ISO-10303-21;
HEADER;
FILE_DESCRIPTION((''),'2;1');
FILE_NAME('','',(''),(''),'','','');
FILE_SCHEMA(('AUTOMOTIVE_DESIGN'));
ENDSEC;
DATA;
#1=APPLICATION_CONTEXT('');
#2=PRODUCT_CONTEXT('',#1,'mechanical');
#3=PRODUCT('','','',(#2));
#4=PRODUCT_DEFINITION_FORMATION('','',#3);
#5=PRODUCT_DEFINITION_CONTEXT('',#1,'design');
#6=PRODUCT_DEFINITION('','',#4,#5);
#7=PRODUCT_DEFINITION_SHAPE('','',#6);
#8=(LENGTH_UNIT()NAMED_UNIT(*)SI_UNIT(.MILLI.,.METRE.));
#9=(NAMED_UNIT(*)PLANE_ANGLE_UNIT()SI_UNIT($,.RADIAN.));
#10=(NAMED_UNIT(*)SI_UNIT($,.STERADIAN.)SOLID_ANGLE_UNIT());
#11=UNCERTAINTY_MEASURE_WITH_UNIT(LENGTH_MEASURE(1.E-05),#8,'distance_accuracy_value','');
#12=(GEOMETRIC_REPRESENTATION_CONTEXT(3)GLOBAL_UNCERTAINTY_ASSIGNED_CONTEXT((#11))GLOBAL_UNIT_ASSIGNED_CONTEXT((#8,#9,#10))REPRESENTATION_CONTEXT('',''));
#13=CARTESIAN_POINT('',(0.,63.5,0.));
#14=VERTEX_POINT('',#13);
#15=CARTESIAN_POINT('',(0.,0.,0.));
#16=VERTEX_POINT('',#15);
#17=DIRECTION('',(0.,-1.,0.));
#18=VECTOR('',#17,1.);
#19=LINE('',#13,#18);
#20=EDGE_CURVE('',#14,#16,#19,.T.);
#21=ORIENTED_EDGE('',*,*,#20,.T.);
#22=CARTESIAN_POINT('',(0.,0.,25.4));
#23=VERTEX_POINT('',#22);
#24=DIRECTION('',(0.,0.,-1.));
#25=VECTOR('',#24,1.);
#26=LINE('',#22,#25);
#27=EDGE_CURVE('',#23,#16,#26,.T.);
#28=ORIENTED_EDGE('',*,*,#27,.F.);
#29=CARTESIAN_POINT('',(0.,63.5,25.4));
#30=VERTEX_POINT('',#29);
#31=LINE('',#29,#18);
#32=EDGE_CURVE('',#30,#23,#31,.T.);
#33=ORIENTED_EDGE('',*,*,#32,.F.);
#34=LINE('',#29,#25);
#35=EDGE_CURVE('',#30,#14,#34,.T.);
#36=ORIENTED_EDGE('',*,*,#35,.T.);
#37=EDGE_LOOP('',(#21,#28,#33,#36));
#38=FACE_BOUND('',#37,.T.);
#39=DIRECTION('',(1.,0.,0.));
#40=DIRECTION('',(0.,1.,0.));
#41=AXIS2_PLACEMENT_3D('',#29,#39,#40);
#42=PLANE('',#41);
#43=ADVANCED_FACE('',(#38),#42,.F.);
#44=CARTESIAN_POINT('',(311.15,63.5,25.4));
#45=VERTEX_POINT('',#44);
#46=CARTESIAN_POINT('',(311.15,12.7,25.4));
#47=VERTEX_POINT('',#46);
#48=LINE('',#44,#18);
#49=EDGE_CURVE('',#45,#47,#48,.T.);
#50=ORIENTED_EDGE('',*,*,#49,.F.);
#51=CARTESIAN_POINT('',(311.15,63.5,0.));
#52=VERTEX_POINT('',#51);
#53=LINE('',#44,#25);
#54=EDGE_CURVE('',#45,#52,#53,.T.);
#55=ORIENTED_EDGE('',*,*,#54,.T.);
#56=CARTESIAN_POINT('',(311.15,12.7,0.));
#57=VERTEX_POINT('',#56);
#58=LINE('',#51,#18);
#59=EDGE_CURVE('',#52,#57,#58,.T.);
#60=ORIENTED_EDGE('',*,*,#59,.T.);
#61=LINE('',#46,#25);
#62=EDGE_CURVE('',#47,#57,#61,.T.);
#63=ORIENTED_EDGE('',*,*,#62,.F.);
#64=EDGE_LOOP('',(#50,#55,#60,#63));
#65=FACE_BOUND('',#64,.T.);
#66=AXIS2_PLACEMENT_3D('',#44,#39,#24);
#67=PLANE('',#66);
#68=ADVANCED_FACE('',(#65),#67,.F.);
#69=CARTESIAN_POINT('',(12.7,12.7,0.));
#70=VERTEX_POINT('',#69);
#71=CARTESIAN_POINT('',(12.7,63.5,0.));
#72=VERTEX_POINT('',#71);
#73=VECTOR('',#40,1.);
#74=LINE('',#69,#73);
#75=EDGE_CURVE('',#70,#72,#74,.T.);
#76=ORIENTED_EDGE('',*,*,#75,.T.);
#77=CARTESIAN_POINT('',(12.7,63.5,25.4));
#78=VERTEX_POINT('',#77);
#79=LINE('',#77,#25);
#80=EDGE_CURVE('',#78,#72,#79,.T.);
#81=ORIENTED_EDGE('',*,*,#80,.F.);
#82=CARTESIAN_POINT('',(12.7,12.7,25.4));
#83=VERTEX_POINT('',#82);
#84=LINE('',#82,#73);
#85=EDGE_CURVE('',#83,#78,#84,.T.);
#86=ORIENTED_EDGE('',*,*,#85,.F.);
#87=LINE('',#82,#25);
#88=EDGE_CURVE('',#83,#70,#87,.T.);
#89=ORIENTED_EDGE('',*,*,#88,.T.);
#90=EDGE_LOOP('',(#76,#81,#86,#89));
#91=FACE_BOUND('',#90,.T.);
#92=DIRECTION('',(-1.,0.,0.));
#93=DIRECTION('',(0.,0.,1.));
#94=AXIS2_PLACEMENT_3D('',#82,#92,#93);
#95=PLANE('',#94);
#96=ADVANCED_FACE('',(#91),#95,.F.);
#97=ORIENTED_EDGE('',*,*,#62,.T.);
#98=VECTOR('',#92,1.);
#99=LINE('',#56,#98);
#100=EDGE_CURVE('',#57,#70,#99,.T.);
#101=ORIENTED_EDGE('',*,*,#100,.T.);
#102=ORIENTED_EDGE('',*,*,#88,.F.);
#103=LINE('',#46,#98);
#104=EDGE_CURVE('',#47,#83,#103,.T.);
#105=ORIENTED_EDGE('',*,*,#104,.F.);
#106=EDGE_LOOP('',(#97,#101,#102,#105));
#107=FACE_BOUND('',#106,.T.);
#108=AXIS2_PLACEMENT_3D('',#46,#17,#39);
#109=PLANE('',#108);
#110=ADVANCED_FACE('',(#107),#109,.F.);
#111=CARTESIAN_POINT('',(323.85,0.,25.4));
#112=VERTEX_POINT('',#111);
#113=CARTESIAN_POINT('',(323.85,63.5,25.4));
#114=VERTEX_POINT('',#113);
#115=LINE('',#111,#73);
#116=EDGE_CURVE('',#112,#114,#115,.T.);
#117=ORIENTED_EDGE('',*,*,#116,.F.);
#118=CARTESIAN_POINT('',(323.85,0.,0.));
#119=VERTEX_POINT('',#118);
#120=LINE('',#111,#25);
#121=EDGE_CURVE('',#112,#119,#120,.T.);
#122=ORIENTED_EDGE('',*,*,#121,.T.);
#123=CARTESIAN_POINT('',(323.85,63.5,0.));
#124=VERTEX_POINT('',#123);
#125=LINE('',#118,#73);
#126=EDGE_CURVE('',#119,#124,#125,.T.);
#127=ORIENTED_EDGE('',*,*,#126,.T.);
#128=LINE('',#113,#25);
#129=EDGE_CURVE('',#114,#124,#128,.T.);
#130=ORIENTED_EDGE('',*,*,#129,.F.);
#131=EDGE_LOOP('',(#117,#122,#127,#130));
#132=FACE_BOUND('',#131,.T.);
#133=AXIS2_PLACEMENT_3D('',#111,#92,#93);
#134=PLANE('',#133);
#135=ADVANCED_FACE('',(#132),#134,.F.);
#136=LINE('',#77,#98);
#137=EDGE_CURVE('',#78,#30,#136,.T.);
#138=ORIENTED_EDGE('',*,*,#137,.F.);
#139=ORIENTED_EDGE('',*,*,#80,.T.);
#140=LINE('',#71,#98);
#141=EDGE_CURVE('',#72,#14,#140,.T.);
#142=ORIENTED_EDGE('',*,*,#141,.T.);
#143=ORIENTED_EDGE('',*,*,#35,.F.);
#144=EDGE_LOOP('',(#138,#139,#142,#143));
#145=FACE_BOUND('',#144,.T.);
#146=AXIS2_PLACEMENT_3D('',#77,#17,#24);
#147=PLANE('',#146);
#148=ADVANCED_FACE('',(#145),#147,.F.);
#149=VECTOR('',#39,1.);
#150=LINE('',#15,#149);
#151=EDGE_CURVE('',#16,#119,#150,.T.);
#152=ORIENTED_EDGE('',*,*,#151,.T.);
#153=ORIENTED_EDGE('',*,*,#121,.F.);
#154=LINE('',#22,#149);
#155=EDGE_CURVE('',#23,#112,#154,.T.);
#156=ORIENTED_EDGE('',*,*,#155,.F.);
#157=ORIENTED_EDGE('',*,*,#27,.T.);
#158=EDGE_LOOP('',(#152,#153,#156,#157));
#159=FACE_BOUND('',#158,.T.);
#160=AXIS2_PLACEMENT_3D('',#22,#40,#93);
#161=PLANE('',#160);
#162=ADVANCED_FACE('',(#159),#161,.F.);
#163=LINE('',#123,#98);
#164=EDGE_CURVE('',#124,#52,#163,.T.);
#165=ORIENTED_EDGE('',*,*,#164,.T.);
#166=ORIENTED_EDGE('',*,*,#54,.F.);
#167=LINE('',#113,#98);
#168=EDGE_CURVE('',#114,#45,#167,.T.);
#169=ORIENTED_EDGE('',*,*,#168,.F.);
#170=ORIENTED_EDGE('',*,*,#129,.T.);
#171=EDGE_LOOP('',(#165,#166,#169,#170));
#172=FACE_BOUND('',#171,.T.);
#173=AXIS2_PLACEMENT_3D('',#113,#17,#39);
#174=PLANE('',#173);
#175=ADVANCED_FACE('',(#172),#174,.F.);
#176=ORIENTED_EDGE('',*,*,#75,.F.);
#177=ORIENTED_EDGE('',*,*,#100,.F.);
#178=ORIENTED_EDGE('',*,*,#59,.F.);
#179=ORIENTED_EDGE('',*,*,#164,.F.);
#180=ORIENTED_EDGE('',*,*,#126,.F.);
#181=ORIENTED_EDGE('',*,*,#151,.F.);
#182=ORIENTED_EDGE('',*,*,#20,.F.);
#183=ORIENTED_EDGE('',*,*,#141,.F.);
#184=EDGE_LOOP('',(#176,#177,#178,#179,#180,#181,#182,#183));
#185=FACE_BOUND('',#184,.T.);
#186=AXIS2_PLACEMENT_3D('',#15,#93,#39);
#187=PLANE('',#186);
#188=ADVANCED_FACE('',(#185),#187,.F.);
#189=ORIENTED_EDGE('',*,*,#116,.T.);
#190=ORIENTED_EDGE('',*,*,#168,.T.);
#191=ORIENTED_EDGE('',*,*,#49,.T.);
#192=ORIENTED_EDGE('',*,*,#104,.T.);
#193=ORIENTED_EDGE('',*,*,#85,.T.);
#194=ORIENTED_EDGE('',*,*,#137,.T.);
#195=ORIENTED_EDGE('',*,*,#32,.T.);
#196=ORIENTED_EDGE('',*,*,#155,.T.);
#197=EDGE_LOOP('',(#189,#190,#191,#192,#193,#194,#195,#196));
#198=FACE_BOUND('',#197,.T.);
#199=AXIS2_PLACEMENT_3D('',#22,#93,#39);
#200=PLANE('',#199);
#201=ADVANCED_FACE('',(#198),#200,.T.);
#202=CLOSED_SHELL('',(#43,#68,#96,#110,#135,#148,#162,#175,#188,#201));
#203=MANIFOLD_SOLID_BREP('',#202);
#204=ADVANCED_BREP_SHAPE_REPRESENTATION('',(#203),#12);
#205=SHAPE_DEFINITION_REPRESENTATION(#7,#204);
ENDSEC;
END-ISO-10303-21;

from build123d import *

# Parameters (mm, degrees)
BOSS_EXTRUDE1_DEPTH = 25.4


with BuildPart() as part:
    # Sketch1 → Boss-Extrude1 (new body)
    with BuildSketch(Plane.XY):
        Polygon((0, 0), (323.85, 0), (323.85, 63.5), (311.15, 63.5), (311.15, 12.7), (12.7, 12.7), (12.7, 63.5), (0, 63.5), align=None)
    extrude(amount=BOSS_EXTRUDE1_DEPTH)


solid = part.part
